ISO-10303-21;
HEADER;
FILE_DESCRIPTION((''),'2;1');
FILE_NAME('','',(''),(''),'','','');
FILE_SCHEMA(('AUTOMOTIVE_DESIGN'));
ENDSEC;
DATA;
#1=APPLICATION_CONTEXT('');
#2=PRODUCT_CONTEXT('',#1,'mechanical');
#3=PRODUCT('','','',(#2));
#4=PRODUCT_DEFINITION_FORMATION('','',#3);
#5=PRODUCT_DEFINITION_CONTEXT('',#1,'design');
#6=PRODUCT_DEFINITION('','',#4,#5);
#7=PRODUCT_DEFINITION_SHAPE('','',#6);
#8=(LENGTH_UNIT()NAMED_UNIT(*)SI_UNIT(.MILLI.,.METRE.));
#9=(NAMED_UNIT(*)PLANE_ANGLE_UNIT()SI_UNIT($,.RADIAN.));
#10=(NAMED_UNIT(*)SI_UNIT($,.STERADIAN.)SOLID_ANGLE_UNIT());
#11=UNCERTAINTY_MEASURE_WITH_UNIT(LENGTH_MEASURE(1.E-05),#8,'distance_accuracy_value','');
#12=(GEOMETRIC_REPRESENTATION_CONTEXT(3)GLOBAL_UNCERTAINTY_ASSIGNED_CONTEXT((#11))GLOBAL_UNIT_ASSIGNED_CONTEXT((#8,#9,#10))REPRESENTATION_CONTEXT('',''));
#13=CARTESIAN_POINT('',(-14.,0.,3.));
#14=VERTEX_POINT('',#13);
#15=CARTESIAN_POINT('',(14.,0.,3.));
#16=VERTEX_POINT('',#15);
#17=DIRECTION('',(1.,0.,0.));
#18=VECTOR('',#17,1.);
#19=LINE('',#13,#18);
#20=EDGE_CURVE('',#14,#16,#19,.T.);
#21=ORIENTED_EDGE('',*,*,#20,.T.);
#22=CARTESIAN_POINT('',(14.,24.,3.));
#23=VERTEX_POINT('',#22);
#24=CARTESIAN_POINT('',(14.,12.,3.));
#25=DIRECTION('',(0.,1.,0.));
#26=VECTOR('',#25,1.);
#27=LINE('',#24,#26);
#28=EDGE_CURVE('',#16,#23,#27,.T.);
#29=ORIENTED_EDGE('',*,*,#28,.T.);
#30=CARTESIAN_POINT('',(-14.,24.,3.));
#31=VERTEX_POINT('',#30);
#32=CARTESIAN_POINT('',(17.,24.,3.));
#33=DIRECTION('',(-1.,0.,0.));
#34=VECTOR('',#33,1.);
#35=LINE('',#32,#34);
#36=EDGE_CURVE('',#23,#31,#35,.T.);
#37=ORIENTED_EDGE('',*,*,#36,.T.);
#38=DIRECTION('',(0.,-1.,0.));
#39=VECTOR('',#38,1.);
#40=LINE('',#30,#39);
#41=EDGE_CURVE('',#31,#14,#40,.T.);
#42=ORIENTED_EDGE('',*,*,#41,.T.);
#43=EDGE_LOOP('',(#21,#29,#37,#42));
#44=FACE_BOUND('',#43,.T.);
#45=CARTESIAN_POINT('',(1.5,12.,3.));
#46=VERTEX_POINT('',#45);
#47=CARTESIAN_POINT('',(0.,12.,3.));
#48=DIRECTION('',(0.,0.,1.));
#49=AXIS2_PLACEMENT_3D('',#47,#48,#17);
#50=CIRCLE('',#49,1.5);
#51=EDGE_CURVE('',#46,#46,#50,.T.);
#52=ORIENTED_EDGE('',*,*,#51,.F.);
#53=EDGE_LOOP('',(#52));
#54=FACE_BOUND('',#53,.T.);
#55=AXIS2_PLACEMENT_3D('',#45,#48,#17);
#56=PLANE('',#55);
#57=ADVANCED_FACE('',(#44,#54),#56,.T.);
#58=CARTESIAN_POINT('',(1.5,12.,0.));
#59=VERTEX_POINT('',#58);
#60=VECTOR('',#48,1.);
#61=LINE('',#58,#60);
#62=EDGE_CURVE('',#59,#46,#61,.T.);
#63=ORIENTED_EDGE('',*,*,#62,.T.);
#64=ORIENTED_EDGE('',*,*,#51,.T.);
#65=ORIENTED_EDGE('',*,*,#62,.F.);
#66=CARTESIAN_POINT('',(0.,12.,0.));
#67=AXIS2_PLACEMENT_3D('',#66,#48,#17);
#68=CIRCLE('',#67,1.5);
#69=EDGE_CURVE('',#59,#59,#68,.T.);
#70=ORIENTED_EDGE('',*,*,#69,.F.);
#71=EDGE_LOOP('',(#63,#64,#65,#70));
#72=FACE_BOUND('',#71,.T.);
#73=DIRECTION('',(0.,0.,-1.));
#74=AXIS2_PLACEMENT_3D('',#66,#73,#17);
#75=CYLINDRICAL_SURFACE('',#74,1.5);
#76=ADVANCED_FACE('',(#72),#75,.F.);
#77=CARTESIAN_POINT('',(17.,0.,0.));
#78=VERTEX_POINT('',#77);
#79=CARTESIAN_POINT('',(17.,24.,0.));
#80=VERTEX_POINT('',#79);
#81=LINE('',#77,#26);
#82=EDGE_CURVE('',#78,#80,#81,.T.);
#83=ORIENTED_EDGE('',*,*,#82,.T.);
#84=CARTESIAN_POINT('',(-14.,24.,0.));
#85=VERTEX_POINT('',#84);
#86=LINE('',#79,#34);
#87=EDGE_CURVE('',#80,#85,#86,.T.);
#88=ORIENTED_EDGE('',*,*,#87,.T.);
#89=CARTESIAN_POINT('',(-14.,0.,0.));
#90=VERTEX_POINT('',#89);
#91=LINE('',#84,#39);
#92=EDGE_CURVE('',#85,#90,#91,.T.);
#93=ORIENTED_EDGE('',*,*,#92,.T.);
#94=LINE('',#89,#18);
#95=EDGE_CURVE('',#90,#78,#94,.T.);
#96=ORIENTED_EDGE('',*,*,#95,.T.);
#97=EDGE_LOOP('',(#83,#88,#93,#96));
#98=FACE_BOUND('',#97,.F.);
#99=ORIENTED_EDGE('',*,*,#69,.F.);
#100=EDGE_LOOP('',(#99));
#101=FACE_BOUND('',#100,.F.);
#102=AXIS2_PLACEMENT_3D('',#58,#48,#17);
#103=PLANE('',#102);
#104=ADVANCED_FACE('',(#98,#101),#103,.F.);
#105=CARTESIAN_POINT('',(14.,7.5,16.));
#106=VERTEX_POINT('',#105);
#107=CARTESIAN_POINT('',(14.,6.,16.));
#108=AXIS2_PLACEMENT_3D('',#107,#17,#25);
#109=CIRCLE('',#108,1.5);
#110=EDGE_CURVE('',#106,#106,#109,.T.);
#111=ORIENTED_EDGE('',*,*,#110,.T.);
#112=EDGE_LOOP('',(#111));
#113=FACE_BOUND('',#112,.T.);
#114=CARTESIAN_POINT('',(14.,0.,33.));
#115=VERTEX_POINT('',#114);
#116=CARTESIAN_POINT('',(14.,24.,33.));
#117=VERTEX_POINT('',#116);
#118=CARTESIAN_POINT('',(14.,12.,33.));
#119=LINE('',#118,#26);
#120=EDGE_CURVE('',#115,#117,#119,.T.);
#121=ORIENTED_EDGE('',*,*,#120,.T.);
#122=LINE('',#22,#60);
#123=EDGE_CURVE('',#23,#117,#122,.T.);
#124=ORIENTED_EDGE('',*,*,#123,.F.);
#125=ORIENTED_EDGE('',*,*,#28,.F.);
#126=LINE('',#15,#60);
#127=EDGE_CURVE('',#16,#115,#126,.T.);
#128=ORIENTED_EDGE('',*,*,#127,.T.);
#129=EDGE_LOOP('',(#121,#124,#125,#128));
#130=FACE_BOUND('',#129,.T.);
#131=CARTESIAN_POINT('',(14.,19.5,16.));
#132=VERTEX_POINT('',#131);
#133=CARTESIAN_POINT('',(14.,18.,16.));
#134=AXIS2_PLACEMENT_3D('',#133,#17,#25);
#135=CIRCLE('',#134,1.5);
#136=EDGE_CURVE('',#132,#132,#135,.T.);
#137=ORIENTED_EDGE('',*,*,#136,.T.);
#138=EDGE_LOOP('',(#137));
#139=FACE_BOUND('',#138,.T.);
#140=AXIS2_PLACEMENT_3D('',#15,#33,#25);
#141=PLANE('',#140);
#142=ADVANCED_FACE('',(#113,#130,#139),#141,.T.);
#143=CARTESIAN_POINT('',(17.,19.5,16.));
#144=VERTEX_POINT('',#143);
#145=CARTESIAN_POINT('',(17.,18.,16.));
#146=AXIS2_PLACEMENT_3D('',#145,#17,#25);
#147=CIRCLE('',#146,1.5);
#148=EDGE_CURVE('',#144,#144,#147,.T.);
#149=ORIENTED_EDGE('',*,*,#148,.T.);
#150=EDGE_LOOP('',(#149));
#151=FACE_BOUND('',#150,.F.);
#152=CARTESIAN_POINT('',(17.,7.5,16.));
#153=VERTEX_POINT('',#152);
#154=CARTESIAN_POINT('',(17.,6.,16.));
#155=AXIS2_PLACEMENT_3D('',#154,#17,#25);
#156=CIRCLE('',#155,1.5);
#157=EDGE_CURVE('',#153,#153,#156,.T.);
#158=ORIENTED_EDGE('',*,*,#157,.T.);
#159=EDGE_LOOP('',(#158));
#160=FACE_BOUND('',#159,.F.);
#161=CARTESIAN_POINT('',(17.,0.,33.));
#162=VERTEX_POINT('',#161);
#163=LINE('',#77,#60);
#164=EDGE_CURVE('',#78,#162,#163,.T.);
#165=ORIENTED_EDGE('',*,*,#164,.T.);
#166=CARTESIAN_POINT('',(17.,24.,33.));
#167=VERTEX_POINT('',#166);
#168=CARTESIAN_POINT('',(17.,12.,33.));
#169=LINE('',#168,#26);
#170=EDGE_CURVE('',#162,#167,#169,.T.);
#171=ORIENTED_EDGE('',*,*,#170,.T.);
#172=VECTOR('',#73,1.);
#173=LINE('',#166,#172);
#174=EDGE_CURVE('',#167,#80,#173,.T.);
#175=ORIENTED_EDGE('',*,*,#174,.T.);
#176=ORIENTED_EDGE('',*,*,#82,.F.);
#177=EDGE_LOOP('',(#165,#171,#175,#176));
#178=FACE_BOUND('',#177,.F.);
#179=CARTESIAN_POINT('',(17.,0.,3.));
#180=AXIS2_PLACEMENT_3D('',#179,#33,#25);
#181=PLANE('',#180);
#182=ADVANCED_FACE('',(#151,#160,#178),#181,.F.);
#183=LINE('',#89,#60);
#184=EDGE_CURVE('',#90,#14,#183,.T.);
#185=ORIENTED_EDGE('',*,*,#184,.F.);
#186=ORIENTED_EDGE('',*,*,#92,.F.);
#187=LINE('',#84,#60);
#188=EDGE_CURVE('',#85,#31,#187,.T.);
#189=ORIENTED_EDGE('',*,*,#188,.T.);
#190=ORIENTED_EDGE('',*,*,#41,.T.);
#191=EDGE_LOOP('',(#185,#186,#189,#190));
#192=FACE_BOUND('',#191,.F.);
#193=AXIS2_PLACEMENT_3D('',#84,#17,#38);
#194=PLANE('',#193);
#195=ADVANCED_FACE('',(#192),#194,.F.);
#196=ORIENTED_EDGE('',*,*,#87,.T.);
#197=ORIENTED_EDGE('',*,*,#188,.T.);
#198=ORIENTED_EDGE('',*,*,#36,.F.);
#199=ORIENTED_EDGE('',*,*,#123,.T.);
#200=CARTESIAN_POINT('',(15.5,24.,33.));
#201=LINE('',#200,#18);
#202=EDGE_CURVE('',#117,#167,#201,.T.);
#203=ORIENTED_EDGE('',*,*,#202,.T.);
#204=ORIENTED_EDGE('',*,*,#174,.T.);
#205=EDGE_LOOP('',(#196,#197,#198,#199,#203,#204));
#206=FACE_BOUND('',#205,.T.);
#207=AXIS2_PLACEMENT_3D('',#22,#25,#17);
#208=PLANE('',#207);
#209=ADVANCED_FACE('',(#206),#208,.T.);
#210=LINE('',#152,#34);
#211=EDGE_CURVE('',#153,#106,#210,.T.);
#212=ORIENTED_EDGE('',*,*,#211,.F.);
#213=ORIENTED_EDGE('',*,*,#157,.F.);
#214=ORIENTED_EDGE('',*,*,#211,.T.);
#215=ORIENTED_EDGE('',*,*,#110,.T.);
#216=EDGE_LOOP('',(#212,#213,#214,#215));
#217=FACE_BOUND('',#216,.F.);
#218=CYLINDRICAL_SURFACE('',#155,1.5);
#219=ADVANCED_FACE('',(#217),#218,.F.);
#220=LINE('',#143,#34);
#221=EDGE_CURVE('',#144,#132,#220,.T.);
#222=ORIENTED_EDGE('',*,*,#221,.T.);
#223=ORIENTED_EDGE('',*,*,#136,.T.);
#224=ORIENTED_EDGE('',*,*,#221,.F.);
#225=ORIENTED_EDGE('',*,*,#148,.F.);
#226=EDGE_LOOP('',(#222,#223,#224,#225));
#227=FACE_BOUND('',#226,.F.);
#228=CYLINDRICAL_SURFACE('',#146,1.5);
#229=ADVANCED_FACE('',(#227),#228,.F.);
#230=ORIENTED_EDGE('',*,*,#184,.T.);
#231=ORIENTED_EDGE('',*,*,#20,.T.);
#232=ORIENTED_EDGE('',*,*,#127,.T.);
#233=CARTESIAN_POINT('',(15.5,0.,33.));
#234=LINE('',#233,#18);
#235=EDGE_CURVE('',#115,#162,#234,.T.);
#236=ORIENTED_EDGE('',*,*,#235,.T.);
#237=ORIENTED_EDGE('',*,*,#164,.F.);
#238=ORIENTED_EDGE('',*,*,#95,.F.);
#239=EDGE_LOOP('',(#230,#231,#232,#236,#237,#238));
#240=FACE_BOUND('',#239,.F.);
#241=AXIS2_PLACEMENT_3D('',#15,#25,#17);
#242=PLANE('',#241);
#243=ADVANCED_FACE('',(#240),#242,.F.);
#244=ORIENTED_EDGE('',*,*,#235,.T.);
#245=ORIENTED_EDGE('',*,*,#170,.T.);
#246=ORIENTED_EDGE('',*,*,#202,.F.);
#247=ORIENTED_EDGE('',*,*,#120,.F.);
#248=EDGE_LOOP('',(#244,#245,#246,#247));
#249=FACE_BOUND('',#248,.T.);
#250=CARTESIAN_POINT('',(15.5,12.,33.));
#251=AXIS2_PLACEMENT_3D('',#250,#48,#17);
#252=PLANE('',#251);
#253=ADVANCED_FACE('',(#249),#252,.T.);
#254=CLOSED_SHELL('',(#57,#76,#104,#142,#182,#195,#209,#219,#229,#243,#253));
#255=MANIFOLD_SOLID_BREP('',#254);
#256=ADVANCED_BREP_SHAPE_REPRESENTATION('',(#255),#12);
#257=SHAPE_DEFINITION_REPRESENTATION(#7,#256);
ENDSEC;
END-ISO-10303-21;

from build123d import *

# Parameters (mm, degrees)
F0_R     = 1.5
F1_DEPTH = 3
F2_W     = 3
F2_H     = 24
F3_DEPTH = 30
F4_R     = 1.5
F5_DEPTH = 25


with BuildPart() as f1:
    # F0 (on Top) → F1 (new body)
    with BuildSketch(Plane.XY):
        Polygon((-14, 0), (0, 0), (17, 0), (17, 24), (0, 24), (-14, 24), align=None)
        with Locations((0, 12)):
            Circle(F0_R, mode=Mode.SUBTRACT)
    extrude(amount=F1_DEPTH)

    # F2 (on face) → F3 (join)
    with BuildSketch(Plane.XY.offset(3)):
        with Locations((15.5, 12)):
            Rectangle(F2_W, F2_H)
    extrude(amount=F3_DEPTH)

    # F4 (on face) → F5 (cut)
    with BuildSketch(Plane.YZ.offset(17)):
        with Locations((6, 16)):
            Circle(F4_R)
        with Locations((18, 16)):
            Circle(F4_R)
    extrude(amount=-F5_DEPTH, mode=Mode.SUBTRACT)


solid = f1.part
